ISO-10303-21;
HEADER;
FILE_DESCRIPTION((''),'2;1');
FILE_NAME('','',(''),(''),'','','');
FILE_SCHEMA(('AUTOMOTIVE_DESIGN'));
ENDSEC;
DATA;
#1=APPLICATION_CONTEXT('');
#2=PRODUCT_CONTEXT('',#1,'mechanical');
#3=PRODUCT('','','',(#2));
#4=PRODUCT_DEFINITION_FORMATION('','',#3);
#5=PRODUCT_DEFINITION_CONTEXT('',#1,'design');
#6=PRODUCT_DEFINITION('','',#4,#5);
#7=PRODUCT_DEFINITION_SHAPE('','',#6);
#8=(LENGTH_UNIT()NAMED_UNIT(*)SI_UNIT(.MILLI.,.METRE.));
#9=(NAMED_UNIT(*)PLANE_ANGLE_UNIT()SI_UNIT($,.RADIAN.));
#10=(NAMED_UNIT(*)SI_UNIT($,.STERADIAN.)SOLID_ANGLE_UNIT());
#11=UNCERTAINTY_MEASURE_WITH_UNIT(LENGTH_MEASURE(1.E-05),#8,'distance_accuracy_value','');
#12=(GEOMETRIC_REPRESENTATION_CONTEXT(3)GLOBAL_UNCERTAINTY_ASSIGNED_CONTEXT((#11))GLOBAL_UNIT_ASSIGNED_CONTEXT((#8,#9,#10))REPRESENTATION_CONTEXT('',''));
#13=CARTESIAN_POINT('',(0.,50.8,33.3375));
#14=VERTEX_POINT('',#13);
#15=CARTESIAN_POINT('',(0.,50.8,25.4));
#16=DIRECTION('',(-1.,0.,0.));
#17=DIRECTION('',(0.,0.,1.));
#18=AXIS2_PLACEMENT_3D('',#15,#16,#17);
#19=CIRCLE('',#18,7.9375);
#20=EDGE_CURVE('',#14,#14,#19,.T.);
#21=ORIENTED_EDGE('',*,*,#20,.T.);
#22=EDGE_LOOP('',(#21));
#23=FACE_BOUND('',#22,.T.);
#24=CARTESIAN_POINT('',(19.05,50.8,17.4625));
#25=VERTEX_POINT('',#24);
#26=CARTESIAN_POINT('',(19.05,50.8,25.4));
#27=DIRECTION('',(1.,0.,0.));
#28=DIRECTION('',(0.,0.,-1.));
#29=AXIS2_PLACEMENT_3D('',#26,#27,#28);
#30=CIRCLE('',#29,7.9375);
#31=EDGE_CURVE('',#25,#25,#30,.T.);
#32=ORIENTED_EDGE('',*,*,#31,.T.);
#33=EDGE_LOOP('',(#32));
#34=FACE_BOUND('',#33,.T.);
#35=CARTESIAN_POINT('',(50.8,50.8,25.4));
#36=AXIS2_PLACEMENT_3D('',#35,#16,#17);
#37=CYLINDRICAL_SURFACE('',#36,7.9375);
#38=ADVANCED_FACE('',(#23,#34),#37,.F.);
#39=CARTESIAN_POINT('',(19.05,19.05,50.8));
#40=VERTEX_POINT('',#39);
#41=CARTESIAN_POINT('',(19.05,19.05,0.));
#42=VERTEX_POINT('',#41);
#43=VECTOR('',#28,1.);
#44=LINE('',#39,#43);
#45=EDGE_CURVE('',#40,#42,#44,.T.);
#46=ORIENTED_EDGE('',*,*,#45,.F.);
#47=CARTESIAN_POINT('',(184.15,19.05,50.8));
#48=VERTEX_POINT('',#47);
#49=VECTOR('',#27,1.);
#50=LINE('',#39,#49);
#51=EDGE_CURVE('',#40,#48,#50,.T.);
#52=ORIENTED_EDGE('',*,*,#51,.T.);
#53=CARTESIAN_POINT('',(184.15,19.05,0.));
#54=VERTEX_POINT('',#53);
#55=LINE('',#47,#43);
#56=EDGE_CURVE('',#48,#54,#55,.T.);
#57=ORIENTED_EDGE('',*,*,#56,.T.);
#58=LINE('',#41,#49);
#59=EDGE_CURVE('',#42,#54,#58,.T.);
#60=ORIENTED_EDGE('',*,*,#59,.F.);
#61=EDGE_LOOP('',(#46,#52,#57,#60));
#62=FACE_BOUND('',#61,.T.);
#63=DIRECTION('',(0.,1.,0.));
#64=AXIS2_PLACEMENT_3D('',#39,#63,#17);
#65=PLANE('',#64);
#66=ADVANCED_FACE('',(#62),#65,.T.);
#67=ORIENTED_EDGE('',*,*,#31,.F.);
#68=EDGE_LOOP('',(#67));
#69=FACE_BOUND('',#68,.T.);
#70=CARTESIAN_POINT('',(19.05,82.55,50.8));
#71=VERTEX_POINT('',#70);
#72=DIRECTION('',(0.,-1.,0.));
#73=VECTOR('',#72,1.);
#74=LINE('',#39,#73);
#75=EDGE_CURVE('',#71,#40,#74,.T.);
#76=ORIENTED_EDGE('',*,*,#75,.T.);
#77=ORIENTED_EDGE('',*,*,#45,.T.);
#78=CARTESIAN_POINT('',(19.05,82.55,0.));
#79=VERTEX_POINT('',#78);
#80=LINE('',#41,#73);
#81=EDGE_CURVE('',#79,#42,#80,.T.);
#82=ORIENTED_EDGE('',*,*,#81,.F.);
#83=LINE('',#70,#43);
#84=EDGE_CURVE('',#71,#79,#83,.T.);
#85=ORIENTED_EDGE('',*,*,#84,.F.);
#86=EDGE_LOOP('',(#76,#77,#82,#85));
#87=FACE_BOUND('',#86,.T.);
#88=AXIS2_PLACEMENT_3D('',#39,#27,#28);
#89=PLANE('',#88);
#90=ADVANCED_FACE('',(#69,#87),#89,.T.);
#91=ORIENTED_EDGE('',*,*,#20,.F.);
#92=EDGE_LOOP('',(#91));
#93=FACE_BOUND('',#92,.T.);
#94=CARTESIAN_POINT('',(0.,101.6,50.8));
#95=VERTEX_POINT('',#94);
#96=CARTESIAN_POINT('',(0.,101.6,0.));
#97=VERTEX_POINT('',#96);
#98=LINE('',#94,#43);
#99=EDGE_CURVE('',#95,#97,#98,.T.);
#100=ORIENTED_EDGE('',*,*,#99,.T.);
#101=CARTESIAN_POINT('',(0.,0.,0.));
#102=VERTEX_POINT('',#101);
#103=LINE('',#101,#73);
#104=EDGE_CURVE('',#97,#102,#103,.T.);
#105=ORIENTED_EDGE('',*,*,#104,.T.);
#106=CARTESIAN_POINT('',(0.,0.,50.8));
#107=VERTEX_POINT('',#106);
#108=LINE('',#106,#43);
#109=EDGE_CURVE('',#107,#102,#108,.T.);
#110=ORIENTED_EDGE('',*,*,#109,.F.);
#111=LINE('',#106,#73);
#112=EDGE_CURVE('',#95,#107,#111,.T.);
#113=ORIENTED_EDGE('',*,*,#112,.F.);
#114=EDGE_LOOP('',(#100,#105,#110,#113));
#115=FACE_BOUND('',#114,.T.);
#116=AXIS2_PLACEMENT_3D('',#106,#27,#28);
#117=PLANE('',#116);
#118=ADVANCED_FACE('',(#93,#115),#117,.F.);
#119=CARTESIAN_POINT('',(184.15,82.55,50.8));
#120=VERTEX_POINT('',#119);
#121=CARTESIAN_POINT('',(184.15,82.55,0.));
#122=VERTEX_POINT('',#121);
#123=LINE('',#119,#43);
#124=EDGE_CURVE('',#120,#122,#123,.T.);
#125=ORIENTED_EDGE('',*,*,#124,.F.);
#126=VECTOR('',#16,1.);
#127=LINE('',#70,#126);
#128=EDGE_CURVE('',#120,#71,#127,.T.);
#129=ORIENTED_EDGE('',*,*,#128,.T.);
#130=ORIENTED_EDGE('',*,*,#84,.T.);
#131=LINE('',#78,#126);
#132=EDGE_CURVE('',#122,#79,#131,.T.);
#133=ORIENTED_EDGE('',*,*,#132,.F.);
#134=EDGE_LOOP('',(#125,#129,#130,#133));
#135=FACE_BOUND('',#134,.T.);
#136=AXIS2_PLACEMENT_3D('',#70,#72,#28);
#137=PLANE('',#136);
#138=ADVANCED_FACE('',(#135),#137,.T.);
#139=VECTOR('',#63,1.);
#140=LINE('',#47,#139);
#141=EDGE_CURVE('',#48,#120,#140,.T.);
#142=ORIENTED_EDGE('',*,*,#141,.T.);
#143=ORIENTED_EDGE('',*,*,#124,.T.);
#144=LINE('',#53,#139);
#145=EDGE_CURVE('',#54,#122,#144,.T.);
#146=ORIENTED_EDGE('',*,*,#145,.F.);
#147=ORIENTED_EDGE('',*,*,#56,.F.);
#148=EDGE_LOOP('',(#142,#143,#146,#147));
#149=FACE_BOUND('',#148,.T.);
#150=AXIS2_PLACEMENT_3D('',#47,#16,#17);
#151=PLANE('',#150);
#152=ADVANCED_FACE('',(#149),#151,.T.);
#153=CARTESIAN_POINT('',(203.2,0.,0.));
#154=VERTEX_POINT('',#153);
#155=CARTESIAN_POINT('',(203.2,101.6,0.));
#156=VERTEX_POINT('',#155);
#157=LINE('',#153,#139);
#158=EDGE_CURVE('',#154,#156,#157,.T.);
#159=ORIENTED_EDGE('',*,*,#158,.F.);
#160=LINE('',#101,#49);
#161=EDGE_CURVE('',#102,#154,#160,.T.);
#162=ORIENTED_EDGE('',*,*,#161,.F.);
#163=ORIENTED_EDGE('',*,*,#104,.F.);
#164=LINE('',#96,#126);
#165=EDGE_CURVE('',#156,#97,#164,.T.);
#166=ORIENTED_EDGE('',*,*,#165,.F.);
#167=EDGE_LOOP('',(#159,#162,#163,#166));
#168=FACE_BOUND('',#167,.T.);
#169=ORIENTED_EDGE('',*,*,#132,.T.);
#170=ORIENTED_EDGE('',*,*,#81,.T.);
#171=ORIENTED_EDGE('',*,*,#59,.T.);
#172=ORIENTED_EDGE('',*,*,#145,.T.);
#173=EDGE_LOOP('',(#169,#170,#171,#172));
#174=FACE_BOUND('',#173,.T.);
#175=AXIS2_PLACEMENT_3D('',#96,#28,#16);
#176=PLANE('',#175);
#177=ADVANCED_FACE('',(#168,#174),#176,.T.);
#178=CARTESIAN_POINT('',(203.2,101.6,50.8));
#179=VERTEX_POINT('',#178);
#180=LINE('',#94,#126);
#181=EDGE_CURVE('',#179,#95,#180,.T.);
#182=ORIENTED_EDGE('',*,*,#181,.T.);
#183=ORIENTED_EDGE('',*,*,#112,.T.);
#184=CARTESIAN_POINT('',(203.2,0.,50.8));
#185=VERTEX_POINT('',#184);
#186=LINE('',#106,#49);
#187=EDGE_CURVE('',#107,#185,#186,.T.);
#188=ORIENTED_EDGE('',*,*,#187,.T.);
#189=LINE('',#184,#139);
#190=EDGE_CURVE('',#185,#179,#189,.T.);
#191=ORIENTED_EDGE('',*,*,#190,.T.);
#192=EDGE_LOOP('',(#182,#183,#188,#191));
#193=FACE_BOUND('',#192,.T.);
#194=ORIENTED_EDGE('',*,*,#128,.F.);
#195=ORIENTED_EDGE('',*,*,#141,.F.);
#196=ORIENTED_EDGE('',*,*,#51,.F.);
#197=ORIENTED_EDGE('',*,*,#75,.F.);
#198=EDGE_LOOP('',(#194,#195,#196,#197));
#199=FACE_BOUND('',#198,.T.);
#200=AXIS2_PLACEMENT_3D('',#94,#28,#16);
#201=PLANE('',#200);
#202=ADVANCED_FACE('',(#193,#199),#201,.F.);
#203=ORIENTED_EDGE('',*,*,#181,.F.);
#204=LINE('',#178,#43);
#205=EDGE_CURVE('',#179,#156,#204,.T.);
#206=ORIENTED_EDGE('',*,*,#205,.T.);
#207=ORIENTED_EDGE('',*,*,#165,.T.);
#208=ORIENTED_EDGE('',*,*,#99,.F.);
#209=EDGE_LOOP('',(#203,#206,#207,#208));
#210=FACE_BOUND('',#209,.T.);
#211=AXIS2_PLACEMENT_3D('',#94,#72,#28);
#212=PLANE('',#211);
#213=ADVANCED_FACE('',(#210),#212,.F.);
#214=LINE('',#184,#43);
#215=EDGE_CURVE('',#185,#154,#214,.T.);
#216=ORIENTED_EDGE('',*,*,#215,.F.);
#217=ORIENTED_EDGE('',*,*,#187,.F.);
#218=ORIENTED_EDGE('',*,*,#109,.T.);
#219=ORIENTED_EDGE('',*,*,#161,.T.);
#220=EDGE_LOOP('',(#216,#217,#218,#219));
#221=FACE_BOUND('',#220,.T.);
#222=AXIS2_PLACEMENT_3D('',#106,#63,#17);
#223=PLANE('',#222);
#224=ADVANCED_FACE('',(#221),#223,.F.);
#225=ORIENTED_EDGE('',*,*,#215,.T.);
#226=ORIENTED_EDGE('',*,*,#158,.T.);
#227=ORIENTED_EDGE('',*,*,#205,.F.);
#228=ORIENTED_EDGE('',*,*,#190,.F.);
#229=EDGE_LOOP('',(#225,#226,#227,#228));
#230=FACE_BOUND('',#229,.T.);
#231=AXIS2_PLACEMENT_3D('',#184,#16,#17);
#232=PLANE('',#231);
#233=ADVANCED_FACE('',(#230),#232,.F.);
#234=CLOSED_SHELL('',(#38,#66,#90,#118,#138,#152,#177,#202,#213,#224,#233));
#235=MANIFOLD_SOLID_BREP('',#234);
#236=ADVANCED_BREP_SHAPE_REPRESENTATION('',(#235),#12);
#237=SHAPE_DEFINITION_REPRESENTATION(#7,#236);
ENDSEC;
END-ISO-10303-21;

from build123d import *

# Parameters (mm, degrees)
SKETCH1_W           = 203.2
SKETCH1_H           = 101.6
SKETCH1_W_2         = 165.1
SKETCH1_H_2         = 63.5
BOSS_EXTRUDE1_DEPTH = 50.8
SKETCH2_R           = 7.9375
CUT_EXTRUDE1_DEPTH  = 50.8


with BuildPart() as part:
    # Sketch1 → Boss-Extrude1 (new body)
    with BuildSketch(Plane.XY):
        with Locations((101.6, 50.8)):
            Rectangle(SKETCH1_W, SKETCH1_H)
        with Locations((101.6, 50.8)):
            Rectangle(SKETCH1_W_2, SKETCH1_H_2, mode=Mode.SUBTRACT)
    extrude(amount=BOSS_EXTRUDE1_DEPTH)

    # Sketch2 → Cut-Extrude1 (cut)
    with BuildSketch(Plane.ZY):
        with Locations((25.4, 50.8)):
            Circle(SKETCH2_R)
    extrude(amount=-CUT_EXTRUDE1_DEPTH, mode=Mode.SUBTRACT)


solid = part.part
